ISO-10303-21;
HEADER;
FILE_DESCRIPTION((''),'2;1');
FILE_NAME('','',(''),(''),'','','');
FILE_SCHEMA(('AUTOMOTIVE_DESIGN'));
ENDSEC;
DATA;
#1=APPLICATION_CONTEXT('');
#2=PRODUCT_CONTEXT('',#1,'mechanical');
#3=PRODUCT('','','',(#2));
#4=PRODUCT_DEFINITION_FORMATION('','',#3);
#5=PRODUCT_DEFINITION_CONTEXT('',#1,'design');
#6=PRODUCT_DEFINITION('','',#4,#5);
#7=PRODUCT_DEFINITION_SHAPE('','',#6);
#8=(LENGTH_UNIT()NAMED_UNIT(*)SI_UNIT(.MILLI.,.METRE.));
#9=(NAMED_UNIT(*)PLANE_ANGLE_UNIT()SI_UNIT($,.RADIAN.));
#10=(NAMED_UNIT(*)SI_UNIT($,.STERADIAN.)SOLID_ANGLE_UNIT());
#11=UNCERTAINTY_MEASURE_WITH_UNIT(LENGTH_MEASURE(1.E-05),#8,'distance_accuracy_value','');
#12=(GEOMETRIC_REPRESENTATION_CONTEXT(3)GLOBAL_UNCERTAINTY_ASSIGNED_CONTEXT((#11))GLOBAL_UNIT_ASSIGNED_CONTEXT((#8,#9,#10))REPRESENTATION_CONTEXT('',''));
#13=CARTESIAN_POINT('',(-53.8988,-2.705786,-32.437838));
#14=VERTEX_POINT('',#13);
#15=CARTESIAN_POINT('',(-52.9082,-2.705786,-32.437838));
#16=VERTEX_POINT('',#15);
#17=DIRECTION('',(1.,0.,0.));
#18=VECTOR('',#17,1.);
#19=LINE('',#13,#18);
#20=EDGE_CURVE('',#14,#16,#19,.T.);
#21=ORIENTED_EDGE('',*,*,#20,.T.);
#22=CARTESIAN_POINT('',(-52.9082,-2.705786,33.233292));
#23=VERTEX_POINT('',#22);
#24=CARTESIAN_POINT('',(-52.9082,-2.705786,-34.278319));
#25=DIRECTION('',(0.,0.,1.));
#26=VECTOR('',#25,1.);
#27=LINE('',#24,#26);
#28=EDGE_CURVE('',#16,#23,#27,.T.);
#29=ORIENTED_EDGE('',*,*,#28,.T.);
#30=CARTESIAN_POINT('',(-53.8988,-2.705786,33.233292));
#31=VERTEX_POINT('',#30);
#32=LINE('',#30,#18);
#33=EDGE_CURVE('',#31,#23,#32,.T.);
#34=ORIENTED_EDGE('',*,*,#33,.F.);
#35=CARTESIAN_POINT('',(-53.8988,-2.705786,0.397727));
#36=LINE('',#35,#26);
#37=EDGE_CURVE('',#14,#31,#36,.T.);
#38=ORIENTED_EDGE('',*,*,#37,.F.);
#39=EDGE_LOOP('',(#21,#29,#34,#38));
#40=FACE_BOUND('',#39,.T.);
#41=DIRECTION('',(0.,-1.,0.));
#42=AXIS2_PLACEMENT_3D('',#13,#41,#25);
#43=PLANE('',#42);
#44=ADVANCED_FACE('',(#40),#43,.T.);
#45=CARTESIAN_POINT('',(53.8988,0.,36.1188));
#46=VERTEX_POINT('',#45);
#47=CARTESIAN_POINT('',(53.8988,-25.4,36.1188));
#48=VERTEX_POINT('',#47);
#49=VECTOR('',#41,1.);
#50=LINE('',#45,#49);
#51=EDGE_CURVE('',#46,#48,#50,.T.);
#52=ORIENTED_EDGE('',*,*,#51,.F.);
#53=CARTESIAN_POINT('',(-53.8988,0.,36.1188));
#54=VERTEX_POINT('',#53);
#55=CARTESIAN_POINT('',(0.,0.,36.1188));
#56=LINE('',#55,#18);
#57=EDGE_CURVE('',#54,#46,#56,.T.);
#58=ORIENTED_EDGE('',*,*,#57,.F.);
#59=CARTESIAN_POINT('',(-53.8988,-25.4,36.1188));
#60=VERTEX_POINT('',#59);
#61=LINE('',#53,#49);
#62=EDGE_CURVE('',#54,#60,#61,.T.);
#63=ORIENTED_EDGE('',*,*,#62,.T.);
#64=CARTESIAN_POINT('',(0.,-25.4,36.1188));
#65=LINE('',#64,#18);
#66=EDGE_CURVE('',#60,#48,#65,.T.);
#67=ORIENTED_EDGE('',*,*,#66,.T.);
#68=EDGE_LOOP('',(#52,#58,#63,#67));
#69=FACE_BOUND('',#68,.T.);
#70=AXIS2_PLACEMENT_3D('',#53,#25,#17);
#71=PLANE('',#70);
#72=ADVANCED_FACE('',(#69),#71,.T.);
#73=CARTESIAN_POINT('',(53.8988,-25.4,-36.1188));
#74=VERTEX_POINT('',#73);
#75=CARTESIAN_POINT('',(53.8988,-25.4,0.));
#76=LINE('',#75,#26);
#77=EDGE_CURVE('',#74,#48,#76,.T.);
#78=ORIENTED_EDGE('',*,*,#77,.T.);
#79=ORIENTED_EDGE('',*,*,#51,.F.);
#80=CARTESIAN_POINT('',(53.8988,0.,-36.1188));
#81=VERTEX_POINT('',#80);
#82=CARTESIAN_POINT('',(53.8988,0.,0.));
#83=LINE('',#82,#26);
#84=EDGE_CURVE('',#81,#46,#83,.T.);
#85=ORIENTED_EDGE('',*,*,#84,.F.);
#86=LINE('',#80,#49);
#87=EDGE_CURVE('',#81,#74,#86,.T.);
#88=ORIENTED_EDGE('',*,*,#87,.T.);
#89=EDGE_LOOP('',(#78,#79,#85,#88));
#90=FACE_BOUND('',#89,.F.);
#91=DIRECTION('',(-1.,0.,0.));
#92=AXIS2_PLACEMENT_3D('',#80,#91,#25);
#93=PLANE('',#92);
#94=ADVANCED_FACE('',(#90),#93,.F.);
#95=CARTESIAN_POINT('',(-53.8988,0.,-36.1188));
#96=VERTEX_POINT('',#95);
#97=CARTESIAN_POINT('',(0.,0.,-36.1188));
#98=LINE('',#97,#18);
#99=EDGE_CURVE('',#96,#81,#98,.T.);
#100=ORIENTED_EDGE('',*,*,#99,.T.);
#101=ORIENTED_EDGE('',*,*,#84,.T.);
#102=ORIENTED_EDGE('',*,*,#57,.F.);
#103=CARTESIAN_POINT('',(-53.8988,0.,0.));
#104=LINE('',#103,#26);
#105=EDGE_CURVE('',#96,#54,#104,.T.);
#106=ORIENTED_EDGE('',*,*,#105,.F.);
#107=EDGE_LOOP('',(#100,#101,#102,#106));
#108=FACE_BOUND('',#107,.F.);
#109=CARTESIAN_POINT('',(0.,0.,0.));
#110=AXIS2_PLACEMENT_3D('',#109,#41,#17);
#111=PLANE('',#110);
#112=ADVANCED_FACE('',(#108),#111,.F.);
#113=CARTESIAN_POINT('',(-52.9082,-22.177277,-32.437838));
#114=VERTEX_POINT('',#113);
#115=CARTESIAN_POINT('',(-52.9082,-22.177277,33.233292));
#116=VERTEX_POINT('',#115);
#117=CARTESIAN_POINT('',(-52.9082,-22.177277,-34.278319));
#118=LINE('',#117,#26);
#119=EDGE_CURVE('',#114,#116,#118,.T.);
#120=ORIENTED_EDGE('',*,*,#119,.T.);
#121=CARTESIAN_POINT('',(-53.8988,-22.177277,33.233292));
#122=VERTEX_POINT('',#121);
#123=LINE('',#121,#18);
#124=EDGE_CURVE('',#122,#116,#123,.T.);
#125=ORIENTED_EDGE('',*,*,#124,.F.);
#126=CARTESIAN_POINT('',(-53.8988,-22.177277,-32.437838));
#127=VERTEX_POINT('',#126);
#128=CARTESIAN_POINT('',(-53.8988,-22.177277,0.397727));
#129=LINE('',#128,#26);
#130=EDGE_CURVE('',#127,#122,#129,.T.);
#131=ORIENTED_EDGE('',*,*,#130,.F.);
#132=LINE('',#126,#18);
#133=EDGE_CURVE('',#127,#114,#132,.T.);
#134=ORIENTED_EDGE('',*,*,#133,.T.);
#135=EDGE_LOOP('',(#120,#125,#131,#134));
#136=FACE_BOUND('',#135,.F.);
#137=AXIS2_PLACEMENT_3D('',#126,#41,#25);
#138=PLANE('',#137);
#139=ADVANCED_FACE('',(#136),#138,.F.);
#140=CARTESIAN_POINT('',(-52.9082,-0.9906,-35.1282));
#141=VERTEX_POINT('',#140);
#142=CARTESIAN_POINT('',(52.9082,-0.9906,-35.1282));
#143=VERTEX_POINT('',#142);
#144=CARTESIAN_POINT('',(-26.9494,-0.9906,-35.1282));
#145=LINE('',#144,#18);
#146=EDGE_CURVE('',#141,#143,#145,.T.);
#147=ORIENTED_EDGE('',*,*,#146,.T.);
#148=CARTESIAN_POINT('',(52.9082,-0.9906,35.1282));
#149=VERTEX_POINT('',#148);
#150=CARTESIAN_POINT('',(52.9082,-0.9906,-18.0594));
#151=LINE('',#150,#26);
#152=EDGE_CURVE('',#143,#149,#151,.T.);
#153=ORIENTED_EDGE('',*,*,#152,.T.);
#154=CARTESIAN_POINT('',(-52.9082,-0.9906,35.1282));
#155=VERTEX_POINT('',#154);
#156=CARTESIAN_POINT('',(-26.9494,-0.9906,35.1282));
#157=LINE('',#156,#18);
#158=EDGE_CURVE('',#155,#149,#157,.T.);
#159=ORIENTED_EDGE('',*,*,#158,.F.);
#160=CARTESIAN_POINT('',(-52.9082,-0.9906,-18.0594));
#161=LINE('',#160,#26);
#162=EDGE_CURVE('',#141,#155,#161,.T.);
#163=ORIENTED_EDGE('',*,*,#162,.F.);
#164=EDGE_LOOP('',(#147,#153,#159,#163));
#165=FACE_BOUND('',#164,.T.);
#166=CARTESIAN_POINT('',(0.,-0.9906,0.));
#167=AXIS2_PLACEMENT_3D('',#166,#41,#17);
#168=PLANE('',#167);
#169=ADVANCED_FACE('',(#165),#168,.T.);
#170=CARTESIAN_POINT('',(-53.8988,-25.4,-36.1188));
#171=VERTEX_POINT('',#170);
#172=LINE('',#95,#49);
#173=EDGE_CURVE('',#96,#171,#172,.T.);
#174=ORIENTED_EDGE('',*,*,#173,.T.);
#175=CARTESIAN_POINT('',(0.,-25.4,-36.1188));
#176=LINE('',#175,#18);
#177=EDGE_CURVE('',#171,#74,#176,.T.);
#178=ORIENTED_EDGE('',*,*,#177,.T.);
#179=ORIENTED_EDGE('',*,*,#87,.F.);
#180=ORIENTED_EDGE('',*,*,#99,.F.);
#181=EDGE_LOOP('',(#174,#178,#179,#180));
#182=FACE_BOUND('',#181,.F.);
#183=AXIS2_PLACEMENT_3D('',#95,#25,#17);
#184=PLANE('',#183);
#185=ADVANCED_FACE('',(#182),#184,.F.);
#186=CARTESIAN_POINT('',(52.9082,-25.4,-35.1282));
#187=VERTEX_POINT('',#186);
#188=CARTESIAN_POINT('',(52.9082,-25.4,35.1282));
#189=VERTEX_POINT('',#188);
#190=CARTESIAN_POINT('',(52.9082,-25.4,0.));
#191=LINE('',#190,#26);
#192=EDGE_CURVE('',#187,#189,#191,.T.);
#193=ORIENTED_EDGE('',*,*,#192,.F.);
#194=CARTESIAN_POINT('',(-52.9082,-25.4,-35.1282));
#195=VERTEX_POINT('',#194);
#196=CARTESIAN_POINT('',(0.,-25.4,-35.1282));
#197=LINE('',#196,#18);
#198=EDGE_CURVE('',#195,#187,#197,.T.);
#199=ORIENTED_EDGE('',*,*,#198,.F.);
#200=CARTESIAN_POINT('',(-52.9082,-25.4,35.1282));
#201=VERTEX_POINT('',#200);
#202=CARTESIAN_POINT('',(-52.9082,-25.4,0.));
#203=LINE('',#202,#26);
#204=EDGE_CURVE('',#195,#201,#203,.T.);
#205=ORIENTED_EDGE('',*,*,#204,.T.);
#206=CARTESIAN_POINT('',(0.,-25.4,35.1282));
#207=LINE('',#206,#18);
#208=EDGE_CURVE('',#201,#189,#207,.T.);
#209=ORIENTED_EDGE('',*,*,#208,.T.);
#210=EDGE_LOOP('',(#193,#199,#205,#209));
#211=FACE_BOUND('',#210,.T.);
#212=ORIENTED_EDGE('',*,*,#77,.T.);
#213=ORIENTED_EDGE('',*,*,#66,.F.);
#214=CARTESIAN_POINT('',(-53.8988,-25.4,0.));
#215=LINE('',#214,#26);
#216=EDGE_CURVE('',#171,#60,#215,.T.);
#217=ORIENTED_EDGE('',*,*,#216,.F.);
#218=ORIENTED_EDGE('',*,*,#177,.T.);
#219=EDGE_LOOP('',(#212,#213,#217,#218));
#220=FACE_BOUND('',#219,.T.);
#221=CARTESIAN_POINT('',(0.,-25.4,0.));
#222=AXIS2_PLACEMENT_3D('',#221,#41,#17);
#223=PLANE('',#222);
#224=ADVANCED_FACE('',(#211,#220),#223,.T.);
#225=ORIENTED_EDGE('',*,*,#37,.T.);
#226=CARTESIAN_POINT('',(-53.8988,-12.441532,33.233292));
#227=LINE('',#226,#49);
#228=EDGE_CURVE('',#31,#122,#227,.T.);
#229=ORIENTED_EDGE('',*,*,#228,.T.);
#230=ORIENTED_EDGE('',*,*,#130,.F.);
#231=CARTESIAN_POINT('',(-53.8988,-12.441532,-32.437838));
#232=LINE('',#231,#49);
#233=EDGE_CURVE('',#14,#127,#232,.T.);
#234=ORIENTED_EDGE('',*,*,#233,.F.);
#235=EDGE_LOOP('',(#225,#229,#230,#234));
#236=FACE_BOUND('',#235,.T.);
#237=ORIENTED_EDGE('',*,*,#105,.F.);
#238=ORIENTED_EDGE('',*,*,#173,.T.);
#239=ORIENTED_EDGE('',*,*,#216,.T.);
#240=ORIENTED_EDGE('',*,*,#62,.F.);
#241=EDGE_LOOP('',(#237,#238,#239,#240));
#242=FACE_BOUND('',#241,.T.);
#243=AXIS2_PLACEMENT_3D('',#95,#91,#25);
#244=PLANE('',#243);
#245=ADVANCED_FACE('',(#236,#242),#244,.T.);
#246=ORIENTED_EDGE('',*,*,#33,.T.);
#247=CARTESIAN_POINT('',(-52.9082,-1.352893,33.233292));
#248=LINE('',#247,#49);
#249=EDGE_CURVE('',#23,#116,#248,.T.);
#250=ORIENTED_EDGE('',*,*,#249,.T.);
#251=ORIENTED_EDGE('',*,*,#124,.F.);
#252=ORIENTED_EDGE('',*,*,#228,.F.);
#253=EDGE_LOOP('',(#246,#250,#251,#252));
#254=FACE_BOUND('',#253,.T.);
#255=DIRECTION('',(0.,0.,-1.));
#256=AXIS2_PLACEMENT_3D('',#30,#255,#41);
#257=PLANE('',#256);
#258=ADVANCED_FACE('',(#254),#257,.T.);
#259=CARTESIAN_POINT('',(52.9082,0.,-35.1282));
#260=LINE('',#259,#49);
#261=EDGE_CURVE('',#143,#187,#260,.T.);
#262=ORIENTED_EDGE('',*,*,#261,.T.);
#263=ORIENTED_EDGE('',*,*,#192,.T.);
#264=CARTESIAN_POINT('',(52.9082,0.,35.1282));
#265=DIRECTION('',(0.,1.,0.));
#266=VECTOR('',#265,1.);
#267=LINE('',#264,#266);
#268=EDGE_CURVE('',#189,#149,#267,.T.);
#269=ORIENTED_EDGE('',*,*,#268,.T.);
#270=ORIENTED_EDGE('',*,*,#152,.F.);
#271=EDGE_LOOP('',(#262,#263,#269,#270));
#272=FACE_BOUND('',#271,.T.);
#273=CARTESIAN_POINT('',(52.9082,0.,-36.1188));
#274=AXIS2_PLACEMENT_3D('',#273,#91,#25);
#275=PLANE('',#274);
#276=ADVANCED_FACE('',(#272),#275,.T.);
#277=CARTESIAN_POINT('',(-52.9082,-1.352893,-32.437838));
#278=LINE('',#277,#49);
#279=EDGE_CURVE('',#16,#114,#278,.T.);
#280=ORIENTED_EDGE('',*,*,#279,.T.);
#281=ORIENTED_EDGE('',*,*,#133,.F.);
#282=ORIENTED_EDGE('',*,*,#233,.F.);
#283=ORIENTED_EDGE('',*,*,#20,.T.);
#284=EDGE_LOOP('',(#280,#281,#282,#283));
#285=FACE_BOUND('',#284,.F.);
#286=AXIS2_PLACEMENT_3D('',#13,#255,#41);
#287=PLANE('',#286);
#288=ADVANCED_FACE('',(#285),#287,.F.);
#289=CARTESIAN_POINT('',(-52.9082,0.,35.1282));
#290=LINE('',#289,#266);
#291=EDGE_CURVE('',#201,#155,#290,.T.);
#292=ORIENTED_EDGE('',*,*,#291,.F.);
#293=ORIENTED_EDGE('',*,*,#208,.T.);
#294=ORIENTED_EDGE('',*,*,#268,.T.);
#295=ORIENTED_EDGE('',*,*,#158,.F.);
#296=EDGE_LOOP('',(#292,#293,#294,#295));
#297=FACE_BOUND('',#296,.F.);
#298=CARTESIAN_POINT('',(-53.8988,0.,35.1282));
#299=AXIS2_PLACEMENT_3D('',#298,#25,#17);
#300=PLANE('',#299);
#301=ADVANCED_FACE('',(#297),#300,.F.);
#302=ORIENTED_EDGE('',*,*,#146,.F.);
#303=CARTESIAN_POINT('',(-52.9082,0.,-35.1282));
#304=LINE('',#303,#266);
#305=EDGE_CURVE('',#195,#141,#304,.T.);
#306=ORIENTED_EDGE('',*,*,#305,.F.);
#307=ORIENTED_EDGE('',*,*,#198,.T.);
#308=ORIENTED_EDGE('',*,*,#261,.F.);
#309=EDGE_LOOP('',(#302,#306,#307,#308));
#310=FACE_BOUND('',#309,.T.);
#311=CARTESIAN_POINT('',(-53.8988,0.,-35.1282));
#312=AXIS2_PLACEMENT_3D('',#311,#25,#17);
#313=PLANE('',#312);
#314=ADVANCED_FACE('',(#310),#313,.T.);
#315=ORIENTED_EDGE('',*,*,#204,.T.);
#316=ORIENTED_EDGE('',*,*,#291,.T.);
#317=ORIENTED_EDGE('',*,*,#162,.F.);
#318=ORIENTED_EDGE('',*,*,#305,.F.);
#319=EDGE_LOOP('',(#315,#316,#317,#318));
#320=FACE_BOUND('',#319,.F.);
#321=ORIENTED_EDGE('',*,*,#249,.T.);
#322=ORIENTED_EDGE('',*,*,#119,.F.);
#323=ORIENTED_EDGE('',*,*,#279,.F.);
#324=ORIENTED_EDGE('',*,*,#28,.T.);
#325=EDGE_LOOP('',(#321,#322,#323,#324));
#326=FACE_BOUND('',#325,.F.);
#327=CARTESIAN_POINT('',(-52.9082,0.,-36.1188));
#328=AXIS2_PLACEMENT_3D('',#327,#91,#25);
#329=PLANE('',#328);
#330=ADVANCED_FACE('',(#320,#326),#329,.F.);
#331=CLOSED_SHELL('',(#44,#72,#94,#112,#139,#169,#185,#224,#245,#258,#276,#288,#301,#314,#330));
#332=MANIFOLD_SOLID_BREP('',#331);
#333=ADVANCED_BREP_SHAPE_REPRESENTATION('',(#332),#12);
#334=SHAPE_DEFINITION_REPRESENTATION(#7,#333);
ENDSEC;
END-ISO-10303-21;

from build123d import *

# Parameters (mm, degrees)
F0_W     = 107.7976
F0_H     = 72.2376
F1_DEPTH = 25.4
F2_T     = -0.9906
F3_W     = 19.471491
F3_H     = 65.671131
F4_DEPTH = 25.4


with BuildPart() as f1:
    # F0 (on Front) → F1 (new body)
    with BuildSketch(Plane.XZ):
        Rectangle(F0_W, F0_H)
    extrude(amount=F1_DEPTH)

    # F2
    f2_openings = [f1.faces().sort_by_distance(p)[0] for p in [
        (0, -25.4, 0),
    ]]
    offset(amount=F2_T, openings=f2_openings)

    # F3 (on face) → F4 (cut)
    with BuildSketch(Plane(origin=(-53.8988, 0, 0), x_dir=(0, -1, 0), z_dir=(-1, 0, 0))):
        with Locations((12.441532, 0.397727)):
            Rectangle(F3_W, F3_H)
    extrude(amount=-F4_DEPTH, mode=Mode.SUBTRACT)


solid = f1.part
